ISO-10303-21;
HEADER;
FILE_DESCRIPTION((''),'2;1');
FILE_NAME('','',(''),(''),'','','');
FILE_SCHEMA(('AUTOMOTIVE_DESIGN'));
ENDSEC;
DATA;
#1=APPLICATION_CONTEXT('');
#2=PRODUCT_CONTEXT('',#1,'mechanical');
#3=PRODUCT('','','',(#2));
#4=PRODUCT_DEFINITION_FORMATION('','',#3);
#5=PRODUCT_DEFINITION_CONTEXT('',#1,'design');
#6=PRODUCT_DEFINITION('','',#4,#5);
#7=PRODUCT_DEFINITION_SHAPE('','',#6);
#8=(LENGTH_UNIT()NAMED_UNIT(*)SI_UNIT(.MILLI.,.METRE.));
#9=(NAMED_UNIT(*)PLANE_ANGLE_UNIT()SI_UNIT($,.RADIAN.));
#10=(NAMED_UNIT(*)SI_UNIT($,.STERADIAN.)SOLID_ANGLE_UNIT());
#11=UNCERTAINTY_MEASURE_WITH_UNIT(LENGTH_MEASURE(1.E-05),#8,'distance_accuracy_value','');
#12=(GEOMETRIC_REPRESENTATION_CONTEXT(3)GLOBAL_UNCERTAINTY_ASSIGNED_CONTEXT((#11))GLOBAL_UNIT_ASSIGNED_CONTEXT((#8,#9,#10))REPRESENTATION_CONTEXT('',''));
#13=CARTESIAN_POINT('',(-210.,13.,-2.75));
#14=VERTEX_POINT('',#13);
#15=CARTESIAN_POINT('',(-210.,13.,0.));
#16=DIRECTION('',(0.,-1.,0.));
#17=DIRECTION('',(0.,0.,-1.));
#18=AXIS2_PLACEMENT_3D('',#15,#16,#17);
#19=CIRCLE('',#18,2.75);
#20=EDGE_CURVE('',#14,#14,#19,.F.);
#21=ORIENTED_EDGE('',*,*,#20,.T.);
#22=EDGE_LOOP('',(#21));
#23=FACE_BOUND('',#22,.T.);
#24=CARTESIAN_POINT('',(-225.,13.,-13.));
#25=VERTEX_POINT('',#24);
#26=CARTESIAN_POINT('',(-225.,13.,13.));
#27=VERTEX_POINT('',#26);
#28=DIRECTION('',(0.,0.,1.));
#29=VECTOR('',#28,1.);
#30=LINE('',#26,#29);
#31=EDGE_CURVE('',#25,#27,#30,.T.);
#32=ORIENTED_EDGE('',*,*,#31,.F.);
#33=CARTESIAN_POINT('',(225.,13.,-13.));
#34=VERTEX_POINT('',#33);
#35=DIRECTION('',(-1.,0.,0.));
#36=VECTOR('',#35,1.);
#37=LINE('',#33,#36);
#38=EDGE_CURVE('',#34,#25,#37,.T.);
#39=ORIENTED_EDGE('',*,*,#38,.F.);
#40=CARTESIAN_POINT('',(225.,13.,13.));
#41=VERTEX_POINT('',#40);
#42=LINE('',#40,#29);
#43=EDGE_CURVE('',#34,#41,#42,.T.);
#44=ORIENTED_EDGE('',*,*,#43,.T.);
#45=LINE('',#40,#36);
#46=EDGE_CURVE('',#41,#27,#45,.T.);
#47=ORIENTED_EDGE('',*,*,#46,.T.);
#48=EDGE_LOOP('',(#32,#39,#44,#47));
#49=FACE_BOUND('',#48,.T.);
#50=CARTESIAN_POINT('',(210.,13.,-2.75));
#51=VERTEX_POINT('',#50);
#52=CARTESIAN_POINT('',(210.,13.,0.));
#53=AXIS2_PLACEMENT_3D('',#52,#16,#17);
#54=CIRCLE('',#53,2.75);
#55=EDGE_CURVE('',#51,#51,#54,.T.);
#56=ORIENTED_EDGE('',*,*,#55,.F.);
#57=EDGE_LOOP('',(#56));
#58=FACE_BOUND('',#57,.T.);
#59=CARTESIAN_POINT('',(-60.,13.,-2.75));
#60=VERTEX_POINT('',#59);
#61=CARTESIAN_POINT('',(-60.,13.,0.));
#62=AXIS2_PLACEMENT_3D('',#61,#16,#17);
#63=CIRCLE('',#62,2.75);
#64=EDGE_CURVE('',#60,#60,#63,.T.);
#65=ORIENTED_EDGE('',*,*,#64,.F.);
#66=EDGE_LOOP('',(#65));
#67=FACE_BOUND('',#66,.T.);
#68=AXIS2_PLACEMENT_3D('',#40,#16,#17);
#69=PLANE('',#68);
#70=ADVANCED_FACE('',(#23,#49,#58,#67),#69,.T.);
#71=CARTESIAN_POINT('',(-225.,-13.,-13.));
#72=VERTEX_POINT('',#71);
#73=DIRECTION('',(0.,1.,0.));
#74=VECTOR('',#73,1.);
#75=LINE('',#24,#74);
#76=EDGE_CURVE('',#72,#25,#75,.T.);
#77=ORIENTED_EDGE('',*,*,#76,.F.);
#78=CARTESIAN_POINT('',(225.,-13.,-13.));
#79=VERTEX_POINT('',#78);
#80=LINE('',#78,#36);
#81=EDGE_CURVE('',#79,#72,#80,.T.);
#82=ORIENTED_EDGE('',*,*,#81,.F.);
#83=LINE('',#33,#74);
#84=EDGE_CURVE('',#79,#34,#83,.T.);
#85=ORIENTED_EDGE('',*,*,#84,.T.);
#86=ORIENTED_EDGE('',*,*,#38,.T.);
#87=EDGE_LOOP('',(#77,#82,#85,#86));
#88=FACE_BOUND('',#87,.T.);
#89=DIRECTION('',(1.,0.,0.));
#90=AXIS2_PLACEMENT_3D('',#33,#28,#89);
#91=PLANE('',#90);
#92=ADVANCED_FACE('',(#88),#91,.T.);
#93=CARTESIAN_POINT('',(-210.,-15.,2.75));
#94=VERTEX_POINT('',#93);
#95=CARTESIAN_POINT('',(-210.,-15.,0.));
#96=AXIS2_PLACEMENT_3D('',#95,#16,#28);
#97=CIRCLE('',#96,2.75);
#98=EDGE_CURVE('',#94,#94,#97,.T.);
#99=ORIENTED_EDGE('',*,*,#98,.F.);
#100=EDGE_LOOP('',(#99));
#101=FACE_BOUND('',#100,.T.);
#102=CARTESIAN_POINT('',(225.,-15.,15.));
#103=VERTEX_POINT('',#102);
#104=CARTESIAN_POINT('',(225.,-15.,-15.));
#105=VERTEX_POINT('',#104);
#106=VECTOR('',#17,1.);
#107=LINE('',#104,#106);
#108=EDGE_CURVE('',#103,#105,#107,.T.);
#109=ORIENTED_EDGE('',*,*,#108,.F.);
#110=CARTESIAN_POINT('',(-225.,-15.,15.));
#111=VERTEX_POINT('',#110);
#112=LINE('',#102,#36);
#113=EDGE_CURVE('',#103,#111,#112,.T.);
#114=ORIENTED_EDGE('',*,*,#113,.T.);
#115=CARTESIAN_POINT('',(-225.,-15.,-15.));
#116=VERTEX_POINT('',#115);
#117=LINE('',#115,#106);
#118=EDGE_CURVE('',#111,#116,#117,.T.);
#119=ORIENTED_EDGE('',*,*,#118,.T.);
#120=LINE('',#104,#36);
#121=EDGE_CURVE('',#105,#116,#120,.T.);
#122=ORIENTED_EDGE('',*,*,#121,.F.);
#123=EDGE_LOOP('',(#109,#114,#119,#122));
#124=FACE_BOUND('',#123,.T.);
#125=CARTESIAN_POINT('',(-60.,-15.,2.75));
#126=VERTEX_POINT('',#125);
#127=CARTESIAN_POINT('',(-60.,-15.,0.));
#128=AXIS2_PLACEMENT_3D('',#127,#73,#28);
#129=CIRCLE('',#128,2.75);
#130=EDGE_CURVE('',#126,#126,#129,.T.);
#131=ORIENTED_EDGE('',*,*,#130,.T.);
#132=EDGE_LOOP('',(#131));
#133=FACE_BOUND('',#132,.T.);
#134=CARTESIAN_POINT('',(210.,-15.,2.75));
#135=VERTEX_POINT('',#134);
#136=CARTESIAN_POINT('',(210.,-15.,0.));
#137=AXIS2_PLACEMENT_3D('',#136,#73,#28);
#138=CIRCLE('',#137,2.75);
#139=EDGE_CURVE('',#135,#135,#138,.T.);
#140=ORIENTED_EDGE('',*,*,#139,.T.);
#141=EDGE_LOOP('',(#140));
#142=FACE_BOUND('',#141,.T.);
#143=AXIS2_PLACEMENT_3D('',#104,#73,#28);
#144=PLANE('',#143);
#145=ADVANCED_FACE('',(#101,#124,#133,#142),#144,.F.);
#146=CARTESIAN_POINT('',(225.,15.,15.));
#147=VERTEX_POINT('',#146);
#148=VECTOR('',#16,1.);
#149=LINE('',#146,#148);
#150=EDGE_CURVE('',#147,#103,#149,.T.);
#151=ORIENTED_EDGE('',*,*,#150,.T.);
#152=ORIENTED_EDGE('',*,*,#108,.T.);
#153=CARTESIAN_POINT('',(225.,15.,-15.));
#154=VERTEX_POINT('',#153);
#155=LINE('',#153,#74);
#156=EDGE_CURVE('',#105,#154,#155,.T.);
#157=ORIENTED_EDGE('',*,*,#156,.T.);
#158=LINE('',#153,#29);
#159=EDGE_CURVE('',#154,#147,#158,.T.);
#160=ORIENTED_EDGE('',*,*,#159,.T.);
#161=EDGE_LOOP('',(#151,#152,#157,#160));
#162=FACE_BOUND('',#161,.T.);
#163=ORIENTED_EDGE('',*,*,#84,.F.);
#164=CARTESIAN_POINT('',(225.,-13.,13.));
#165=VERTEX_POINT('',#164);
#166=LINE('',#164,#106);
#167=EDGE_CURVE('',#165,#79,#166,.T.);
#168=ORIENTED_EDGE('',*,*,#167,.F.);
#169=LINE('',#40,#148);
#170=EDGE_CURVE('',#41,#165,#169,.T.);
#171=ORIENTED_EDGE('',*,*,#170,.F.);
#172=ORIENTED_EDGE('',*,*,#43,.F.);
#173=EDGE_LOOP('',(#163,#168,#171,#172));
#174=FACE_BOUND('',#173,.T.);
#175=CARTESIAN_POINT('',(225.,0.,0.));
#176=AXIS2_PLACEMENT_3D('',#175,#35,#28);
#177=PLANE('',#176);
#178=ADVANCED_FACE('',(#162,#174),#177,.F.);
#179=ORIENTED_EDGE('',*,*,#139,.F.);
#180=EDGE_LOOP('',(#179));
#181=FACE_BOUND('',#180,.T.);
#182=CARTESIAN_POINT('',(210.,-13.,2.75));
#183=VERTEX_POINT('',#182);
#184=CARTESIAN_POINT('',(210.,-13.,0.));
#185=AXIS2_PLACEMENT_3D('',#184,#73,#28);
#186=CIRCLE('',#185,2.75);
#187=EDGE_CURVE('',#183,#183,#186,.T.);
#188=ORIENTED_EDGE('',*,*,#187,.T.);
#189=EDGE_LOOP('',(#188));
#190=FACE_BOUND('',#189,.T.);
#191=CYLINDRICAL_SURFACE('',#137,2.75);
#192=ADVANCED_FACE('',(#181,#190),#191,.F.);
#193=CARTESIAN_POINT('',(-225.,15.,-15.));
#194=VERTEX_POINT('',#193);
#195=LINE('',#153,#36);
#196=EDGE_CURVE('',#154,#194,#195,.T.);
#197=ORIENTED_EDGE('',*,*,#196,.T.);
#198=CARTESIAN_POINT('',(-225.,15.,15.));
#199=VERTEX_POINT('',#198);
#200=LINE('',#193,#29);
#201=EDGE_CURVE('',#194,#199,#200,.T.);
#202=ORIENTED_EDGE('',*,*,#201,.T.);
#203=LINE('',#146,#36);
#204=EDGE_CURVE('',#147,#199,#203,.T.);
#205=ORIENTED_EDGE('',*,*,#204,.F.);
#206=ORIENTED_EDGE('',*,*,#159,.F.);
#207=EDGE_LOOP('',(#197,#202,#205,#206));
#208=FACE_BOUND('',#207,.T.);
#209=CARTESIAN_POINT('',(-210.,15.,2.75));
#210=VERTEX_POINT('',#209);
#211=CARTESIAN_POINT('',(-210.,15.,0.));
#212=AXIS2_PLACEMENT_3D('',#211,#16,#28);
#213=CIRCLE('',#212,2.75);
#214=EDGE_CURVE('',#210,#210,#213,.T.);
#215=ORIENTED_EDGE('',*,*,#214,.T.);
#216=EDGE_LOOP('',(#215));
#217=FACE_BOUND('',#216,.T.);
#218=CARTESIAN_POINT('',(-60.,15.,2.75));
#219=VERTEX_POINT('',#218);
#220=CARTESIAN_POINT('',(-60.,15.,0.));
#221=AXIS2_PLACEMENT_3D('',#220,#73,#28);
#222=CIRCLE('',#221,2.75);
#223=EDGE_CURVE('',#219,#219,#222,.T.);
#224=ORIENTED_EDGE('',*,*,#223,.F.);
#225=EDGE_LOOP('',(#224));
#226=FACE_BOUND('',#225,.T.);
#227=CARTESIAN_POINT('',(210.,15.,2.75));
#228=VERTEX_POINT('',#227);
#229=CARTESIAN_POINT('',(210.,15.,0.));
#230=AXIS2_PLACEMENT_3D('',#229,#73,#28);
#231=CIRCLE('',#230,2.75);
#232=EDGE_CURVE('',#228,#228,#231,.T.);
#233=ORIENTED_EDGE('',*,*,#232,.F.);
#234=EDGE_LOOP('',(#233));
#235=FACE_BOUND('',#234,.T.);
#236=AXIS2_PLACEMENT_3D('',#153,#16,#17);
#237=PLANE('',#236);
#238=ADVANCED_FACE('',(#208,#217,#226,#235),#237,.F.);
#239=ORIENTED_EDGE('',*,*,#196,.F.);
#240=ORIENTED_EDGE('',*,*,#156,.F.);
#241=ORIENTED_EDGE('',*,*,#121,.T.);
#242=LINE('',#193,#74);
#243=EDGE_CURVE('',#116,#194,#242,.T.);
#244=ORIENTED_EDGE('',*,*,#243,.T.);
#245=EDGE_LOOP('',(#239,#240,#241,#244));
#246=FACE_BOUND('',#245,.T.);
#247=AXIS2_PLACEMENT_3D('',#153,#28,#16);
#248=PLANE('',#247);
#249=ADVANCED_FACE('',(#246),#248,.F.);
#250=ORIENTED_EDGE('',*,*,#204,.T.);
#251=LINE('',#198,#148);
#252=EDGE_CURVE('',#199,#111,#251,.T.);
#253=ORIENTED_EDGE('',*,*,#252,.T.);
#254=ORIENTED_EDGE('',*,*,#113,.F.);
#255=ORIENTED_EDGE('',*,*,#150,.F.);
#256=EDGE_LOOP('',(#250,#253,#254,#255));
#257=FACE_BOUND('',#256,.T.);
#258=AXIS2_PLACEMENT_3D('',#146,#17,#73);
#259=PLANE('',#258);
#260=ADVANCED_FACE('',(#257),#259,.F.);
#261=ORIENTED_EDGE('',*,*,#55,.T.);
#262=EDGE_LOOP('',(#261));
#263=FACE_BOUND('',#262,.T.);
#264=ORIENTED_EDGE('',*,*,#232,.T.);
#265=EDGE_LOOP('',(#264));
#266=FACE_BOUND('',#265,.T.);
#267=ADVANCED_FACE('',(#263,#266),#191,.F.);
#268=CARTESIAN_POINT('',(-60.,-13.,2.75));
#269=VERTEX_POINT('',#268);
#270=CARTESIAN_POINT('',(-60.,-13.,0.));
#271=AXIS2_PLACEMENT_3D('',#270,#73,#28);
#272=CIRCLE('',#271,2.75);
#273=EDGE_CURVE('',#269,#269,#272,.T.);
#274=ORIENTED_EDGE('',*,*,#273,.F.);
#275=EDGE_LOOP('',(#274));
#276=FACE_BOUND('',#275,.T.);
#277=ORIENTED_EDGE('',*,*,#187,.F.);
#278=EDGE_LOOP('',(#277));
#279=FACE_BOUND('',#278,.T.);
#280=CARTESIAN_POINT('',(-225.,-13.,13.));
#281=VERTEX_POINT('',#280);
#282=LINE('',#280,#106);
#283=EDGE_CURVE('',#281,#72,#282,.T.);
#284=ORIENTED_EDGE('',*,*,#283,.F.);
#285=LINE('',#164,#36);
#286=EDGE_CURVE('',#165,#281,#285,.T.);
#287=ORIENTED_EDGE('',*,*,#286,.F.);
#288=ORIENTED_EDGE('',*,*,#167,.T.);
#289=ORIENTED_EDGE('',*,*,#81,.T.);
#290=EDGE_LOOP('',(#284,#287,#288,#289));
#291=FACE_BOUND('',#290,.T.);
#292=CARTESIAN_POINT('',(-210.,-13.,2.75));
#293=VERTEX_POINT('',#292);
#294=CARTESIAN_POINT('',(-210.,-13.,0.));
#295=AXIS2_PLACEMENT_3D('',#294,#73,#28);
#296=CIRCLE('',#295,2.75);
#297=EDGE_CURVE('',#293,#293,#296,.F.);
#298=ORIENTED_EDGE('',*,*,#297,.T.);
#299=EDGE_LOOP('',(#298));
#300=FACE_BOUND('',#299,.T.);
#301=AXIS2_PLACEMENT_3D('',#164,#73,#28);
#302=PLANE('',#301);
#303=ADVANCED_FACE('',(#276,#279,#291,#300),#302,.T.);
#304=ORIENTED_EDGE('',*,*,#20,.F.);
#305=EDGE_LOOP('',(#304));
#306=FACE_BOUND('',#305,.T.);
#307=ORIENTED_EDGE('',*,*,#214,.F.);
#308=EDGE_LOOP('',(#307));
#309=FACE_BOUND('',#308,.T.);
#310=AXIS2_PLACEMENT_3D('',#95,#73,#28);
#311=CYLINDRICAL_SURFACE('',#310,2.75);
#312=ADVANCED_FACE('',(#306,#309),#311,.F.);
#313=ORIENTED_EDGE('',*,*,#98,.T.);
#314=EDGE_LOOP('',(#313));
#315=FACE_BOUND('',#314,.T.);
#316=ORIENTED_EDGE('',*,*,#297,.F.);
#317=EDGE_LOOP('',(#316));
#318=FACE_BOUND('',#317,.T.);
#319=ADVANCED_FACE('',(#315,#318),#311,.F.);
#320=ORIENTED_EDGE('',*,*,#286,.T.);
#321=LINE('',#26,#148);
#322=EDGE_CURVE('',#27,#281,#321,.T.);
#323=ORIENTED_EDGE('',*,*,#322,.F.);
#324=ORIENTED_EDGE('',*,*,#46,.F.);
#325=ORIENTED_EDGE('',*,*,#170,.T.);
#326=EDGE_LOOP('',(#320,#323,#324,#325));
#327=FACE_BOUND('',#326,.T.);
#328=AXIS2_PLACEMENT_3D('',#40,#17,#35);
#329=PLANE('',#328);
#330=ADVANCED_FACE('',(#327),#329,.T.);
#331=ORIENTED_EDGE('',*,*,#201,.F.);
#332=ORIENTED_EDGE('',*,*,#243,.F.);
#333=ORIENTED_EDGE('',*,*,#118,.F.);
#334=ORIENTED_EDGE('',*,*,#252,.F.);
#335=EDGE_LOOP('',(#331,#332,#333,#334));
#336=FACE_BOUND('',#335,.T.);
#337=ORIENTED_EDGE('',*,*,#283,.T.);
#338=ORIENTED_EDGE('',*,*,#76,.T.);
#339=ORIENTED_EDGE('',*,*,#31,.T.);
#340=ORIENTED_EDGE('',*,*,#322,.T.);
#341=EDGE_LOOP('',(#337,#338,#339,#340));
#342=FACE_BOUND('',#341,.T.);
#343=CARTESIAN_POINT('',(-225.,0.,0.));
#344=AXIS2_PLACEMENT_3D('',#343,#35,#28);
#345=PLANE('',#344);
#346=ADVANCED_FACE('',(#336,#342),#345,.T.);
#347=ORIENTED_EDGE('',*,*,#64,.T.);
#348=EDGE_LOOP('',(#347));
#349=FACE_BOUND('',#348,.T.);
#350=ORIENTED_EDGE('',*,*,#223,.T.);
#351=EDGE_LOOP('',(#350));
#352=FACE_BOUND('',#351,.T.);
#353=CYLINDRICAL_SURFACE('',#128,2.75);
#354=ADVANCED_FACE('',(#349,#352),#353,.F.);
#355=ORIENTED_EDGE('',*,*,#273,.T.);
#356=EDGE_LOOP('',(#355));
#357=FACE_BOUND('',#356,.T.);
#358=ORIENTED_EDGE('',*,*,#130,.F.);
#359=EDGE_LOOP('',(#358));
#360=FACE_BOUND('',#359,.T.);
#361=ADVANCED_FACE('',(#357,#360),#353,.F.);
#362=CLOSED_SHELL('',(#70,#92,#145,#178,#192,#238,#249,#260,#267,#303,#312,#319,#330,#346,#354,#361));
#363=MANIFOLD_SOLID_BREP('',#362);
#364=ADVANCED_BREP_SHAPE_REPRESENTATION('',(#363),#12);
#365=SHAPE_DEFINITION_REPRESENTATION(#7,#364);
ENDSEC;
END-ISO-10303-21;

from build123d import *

# Parameters (mm, degrees)
SKETCH1_W               = 30
SKETCH1_H               = 30
SKETCH1_W_2             = 26
SKETCH1_H_2             = 26
BOSS_EXTRUDE1_DEPTH     = 225
SKETCH2_R               = 2.75
CUT_EXTRUDE1_DEPTH      = 226.9977876
CUT_EXTRUDE2_DEPTH      = 226.9977876
CUT_EXTRUDE2_DEPTH_BACK = 226.9977876
SKETCH3_R               = 2.75


with BuildPart() as part:
    # Sketch1 → Boss-Extrude1 (new, symmetric)
    with BuildSketch(Plane(origin=(0, 0, 0), x_dir=(0, 0, -1), z_dir=(1, 0, 0))):
        Rectangle(SKETCH1_W, SKETCH1_H)
        Rectangle(SKETCH1_W_2, SKETCH1_H_2, mode=Mode.SUBTRACT)
    extrude(amount=BOSS_EXTRUDE1_DEPTH, both=True)

    # Sketch2 → Cut-Extrude1 (cut, symmetric)
    with BuildSketch(Plane(origin=(0, 0, 0), x_dir=(1, 0, 0), z_dir=(0, 1, 0))):
        with Locations(Location((210, 0, 0), (0, 0, 270))):
            Circle(SKETCH2_R)
    cut_extrude1 = extrude(amount=CUT_EXTRUDE1_DEPTH, both=True, mode=Mode.SUBTRACT)

    # Mirror1: Cut-Extrude1 across plane
    add(cut_extrude1.mirror(Plane(origin=(0, 0, 0), x_dir=(0, 0, 1), z_dir=(1, 0, 0))), mode=Mode.SUBTRACT)

    # Sketch3 → Cut-Extrude2 (cut, two sides: drawn at the far end of the back side and taken through both)
    with BuildSketch(Plane(origin=(0, 0, 0), x_dir=(1, 0, 0), z_dir=(0, 1, 0)).offset(-CUT_EXTRUDE2_DEPTH_BACK)):
        with Locations(Location((-60, 0, 0), (0, 0, 270))):
            Circle(SKETCH3_R)
    extrude(amount=CUT_EXTRUDE2_DEPTH + CUT_EXTRUDE2_DEPTH_BACK, mode=Mode.SUBTRACT)


solid = part.part
